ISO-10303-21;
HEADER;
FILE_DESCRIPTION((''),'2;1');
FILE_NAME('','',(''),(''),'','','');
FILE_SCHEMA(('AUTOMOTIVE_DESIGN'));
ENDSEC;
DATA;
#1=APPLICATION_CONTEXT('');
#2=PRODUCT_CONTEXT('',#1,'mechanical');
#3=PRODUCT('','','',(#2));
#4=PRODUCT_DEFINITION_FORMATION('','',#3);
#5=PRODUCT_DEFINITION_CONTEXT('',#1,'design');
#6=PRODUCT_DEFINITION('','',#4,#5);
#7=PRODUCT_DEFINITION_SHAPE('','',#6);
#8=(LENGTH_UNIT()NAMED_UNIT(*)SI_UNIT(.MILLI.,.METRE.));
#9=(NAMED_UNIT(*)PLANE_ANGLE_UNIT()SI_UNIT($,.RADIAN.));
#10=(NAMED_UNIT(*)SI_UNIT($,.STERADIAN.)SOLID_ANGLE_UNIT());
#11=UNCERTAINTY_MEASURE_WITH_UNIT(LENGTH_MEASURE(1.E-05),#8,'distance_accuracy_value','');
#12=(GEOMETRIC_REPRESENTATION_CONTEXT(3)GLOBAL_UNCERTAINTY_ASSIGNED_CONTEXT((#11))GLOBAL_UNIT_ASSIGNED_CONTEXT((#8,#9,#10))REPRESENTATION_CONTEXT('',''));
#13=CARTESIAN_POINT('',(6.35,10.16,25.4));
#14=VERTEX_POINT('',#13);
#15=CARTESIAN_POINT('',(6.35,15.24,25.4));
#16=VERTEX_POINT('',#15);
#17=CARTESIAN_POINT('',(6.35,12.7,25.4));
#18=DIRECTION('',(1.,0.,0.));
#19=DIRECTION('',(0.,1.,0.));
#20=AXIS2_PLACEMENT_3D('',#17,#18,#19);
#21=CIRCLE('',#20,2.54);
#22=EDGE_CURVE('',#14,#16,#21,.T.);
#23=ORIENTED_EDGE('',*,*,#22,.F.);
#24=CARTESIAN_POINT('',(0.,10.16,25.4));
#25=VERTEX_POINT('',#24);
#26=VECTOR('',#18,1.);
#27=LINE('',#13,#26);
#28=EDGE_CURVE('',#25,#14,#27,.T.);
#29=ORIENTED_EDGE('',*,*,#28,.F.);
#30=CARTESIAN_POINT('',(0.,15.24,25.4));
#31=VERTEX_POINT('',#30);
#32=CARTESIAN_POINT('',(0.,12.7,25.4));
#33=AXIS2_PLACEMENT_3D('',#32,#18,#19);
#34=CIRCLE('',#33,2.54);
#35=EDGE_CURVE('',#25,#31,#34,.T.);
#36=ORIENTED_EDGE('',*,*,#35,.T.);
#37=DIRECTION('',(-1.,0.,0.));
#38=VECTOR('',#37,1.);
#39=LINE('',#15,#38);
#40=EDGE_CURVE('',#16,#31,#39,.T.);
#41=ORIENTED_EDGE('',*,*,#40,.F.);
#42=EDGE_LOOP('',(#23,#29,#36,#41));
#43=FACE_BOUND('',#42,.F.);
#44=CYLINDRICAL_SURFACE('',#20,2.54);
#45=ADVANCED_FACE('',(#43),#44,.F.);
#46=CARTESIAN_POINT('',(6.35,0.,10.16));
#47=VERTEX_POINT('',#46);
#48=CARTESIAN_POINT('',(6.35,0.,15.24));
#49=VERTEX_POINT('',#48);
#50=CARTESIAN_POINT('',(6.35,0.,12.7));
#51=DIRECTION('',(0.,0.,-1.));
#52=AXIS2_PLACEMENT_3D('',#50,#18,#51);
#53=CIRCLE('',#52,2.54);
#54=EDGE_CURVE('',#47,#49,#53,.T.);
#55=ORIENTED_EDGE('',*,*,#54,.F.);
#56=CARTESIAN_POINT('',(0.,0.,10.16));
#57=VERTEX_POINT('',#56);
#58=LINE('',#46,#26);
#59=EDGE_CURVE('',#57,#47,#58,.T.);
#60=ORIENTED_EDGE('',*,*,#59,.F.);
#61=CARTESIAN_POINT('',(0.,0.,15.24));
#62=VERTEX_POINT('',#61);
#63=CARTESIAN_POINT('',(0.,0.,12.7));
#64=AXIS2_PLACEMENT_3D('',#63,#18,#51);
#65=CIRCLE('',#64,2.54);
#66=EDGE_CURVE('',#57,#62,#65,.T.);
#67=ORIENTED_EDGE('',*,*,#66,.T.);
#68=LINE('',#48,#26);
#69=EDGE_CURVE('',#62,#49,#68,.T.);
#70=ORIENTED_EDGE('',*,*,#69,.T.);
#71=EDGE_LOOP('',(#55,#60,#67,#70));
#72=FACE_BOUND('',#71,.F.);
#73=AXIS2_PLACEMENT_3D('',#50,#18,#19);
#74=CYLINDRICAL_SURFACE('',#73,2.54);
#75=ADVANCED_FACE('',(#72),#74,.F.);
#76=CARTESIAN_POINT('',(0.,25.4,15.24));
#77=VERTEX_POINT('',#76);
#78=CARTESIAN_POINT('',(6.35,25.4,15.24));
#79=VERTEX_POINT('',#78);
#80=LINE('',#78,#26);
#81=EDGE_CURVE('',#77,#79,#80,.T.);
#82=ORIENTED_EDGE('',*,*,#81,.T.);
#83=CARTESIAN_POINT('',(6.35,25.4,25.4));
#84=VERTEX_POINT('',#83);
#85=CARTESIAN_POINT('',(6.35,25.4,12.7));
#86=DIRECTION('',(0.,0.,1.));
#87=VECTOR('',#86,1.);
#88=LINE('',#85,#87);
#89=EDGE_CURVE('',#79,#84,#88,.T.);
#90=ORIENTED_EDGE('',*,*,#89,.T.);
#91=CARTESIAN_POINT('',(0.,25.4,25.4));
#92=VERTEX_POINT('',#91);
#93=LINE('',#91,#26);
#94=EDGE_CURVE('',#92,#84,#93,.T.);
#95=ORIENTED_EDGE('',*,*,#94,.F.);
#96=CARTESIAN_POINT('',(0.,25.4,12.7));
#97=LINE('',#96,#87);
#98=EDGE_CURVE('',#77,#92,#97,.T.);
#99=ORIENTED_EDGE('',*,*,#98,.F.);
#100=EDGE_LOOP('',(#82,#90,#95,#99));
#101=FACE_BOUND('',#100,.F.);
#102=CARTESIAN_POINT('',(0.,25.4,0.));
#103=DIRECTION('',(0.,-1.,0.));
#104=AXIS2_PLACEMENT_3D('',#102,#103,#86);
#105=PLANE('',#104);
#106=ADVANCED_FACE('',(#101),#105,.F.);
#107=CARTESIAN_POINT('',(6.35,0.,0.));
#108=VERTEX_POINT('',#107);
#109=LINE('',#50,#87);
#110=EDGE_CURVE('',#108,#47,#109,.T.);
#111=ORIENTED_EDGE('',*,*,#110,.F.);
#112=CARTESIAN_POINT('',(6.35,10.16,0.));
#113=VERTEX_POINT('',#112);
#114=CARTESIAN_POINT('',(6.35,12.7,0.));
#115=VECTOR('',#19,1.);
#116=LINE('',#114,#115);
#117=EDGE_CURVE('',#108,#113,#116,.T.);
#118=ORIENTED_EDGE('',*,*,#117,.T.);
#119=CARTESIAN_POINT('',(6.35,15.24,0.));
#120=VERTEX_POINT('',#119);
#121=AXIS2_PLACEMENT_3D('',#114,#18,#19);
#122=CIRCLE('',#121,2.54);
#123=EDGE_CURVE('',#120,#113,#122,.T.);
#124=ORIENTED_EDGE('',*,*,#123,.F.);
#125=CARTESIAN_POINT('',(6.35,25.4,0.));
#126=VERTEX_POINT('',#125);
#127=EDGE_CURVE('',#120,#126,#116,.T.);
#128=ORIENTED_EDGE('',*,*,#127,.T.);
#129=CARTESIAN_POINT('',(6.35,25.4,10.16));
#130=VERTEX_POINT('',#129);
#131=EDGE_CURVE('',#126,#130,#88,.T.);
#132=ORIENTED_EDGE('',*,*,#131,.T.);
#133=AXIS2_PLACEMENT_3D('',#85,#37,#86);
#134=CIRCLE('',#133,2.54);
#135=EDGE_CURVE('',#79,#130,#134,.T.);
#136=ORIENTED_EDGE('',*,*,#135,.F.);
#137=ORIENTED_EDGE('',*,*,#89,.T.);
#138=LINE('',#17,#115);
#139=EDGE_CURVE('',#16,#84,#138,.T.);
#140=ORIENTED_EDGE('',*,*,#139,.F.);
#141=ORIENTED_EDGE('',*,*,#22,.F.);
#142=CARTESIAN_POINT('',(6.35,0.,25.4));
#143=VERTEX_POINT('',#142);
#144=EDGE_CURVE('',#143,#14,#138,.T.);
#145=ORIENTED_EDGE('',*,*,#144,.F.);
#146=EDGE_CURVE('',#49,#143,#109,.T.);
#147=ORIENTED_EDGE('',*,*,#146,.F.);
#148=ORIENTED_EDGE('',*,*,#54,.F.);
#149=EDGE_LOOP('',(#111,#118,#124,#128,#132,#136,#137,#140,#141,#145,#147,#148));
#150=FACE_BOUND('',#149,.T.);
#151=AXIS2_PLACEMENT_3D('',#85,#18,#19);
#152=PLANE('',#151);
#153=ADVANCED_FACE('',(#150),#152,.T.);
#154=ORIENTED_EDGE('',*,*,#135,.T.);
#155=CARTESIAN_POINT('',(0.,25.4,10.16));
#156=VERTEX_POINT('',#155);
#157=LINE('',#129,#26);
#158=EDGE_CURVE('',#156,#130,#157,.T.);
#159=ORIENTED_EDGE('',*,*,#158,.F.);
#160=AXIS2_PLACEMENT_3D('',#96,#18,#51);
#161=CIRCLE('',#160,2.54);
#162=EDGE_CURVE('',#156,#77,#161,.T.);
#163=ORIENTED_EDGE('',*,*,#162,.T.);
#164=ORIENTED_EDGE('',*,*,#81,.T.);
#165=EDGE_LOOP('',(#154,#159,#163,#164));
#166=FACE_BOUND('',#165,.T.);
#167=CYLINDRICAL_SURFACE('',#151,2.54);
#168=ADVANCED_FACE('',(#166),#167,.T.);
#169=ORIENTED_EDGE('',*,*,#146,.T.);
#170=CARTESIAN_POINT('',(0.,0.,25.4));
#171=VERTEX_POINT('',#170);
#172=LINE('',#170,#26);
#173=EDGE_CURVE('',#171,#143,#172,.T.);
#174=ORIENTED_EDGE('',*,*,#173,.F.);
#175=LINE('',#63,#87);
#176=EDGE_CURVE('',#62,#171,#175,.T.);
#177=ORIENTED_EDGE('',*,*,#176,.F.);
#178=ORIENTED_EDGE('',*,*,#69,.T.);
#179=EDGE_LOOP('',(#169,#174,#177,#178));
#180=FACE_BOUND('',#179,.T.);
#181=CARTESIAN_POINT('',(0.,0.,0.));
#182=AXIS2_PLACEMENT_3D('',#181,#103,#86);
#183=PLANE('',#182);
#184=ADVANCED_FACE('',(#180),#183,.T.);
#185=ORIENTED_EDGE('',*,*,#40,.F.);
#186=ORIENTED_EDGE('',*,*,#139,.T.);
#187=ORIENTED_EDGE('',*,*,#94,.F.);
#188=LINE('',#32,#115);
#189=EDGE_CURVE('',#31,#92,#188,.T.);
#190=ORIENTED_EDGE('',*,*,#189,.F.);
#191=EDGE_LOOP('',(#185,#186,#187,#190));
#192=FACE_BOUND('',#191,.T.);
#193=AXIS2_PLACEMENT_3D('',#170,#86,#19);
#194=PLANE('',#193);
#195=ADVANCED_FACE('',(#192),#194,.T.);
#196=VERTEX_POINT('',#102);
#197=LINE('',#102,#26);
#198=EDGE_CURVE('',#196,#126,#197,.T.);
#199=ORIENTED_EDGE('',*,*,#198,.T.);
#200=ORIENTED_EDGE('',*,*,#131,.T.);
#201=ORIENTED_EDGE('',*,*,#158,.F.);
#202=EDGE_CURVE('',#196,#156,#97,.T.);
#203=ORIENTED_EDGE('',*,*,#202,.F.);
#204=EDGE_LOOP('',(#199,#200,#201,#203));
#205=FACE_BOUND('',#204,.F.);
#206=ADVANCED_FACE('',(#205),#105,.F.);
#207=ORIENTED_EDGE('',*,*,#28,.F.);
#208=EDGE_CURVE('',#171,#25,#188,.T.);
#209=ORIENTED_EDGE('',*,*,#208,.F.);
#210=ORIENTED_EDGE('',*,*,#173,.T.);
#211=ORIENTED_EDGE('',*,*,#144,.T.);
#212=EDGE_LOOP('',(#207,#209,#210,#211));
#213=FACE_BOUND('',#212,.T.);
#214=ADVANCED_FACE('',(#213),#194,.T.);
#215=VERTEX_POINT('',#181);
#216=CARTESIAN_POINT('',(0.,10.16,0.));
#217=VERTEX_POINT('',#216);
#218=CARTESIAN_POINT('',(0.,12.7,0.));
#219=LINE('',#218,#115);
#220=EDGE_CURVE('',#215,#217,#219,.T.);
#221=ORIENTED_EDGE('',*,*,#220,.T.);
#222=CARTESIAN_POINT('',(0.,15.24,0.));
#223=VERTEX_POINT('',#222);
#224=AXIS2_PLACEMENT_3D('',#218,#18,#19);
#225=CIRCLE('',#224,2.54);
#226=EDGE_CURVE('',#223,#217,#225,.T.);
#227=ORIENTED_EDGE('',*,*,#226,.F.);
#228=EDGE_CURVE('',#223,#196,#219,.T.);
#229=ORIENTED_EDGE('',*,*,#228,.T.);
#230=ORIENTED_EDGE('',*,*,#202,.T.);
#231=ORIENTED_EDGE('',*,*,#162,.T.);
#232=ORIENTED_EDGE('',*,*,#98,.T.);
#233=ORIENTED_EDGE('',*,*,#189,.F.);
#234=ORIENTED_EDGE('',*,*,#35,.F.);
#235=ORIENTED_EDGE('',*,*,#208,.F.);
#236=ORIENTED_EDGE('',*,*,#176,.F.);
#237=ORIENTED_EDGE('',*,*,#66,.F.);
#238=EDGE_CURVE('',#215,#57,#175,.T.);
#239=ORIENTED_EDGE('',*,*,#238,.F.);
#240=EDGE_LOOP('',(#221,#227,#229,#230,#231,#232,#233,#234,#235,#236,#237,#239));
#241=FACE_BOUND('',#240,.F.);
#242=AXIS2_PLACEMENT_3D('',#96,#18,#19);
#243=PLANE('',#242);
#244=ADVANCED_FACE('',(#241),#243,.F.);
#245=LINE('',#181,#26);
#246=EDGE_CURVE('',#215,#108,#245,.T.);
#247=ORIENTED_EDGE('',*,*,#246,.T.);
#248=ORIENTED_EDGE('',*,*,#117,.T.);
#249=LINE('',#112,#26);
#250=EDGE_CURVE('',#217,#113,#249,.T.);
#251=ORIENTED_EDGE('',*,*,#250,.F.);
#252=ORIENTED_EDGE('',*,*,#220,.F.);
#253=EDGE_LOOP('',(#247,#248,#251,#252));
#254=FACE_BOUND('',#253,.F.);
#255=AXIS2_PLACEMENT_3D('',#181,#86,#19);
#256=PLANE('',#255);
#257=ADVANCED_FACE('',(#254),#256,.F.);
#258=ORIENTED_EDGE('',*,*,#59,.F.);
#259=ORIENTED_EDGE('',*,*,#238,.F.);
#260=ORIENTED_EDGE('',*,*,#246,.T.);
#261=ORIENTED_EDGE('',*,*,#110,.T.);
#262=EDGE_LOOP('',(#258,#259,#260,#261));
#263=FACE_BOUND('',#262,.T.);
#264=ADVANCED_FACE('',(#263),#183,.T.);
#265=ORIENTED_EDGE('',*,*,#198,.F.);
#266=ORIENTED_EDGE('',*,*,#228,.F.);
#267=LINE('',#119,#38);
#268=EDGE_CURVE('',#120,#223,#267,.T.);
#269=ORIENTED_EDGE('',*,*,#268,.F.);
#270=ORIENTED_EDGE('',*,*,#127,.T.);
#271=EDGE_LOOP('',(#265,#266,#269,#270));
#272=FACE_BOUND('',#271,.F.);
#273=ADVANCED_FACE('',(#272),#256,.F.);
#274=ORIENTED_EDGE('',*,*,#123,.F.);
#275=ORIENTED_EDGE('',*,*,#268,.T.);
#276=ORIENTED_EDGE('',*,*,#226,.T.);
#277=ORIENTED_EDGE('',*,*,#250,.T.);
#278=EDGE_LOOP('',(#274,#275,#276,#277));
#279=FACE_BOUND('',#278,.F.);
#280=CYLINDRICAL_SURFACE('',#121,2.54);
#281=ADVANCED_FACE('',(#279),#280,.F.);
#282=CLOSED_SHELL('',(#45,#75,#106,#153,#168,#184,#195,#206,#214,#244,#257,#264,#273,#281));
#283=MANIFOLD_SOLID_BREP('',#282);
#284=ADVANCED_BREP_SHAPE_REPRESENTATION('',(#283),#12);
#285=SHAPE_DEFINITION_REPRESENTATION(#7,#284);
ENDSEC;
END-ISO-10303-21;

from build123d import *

# Parameters (mm, degrees)
F0_W     = 25.4
F0_H     = 25.4
F1_DEPTH = 6.35
F2_R     = 2.54
F3_DEPTH = 6.35
F4_R     = 2.54
F5_DEPTH = 6.35


with BuildPart() as f1:
    # F0 (on Right) → F1 (new body)
    with BuildSketch(Plane.YZ):
        with Locations((12.7, 12.7)):
            Rectangle(F0_W, F0_H)
    extrude(amount=F1_DEPTH)

    # F2 (on face) → F3 (cut)
    with BuildSketch(Plane.YZ.offset(6.35)):
        with Locations((12.7, 0)):
            Circle(F2_R)
        with Locations((0, 12.7)):
            Circle(F2_R)
        with Locations((12.7, 25.4)):
            Circle(F2_R)
    extrude(amount=-F3_DEPTH, mode=Mode.SUBTRACT)

    # F4 (on face) → F5 (join)
    with BuildSketch(Plane.YZ.offset(6.35)):
        with Locations((25.4, 12.7)):
            Circle(F4_R)
    extrude(amount=-F5_DEPTH)


solid = f1.part
